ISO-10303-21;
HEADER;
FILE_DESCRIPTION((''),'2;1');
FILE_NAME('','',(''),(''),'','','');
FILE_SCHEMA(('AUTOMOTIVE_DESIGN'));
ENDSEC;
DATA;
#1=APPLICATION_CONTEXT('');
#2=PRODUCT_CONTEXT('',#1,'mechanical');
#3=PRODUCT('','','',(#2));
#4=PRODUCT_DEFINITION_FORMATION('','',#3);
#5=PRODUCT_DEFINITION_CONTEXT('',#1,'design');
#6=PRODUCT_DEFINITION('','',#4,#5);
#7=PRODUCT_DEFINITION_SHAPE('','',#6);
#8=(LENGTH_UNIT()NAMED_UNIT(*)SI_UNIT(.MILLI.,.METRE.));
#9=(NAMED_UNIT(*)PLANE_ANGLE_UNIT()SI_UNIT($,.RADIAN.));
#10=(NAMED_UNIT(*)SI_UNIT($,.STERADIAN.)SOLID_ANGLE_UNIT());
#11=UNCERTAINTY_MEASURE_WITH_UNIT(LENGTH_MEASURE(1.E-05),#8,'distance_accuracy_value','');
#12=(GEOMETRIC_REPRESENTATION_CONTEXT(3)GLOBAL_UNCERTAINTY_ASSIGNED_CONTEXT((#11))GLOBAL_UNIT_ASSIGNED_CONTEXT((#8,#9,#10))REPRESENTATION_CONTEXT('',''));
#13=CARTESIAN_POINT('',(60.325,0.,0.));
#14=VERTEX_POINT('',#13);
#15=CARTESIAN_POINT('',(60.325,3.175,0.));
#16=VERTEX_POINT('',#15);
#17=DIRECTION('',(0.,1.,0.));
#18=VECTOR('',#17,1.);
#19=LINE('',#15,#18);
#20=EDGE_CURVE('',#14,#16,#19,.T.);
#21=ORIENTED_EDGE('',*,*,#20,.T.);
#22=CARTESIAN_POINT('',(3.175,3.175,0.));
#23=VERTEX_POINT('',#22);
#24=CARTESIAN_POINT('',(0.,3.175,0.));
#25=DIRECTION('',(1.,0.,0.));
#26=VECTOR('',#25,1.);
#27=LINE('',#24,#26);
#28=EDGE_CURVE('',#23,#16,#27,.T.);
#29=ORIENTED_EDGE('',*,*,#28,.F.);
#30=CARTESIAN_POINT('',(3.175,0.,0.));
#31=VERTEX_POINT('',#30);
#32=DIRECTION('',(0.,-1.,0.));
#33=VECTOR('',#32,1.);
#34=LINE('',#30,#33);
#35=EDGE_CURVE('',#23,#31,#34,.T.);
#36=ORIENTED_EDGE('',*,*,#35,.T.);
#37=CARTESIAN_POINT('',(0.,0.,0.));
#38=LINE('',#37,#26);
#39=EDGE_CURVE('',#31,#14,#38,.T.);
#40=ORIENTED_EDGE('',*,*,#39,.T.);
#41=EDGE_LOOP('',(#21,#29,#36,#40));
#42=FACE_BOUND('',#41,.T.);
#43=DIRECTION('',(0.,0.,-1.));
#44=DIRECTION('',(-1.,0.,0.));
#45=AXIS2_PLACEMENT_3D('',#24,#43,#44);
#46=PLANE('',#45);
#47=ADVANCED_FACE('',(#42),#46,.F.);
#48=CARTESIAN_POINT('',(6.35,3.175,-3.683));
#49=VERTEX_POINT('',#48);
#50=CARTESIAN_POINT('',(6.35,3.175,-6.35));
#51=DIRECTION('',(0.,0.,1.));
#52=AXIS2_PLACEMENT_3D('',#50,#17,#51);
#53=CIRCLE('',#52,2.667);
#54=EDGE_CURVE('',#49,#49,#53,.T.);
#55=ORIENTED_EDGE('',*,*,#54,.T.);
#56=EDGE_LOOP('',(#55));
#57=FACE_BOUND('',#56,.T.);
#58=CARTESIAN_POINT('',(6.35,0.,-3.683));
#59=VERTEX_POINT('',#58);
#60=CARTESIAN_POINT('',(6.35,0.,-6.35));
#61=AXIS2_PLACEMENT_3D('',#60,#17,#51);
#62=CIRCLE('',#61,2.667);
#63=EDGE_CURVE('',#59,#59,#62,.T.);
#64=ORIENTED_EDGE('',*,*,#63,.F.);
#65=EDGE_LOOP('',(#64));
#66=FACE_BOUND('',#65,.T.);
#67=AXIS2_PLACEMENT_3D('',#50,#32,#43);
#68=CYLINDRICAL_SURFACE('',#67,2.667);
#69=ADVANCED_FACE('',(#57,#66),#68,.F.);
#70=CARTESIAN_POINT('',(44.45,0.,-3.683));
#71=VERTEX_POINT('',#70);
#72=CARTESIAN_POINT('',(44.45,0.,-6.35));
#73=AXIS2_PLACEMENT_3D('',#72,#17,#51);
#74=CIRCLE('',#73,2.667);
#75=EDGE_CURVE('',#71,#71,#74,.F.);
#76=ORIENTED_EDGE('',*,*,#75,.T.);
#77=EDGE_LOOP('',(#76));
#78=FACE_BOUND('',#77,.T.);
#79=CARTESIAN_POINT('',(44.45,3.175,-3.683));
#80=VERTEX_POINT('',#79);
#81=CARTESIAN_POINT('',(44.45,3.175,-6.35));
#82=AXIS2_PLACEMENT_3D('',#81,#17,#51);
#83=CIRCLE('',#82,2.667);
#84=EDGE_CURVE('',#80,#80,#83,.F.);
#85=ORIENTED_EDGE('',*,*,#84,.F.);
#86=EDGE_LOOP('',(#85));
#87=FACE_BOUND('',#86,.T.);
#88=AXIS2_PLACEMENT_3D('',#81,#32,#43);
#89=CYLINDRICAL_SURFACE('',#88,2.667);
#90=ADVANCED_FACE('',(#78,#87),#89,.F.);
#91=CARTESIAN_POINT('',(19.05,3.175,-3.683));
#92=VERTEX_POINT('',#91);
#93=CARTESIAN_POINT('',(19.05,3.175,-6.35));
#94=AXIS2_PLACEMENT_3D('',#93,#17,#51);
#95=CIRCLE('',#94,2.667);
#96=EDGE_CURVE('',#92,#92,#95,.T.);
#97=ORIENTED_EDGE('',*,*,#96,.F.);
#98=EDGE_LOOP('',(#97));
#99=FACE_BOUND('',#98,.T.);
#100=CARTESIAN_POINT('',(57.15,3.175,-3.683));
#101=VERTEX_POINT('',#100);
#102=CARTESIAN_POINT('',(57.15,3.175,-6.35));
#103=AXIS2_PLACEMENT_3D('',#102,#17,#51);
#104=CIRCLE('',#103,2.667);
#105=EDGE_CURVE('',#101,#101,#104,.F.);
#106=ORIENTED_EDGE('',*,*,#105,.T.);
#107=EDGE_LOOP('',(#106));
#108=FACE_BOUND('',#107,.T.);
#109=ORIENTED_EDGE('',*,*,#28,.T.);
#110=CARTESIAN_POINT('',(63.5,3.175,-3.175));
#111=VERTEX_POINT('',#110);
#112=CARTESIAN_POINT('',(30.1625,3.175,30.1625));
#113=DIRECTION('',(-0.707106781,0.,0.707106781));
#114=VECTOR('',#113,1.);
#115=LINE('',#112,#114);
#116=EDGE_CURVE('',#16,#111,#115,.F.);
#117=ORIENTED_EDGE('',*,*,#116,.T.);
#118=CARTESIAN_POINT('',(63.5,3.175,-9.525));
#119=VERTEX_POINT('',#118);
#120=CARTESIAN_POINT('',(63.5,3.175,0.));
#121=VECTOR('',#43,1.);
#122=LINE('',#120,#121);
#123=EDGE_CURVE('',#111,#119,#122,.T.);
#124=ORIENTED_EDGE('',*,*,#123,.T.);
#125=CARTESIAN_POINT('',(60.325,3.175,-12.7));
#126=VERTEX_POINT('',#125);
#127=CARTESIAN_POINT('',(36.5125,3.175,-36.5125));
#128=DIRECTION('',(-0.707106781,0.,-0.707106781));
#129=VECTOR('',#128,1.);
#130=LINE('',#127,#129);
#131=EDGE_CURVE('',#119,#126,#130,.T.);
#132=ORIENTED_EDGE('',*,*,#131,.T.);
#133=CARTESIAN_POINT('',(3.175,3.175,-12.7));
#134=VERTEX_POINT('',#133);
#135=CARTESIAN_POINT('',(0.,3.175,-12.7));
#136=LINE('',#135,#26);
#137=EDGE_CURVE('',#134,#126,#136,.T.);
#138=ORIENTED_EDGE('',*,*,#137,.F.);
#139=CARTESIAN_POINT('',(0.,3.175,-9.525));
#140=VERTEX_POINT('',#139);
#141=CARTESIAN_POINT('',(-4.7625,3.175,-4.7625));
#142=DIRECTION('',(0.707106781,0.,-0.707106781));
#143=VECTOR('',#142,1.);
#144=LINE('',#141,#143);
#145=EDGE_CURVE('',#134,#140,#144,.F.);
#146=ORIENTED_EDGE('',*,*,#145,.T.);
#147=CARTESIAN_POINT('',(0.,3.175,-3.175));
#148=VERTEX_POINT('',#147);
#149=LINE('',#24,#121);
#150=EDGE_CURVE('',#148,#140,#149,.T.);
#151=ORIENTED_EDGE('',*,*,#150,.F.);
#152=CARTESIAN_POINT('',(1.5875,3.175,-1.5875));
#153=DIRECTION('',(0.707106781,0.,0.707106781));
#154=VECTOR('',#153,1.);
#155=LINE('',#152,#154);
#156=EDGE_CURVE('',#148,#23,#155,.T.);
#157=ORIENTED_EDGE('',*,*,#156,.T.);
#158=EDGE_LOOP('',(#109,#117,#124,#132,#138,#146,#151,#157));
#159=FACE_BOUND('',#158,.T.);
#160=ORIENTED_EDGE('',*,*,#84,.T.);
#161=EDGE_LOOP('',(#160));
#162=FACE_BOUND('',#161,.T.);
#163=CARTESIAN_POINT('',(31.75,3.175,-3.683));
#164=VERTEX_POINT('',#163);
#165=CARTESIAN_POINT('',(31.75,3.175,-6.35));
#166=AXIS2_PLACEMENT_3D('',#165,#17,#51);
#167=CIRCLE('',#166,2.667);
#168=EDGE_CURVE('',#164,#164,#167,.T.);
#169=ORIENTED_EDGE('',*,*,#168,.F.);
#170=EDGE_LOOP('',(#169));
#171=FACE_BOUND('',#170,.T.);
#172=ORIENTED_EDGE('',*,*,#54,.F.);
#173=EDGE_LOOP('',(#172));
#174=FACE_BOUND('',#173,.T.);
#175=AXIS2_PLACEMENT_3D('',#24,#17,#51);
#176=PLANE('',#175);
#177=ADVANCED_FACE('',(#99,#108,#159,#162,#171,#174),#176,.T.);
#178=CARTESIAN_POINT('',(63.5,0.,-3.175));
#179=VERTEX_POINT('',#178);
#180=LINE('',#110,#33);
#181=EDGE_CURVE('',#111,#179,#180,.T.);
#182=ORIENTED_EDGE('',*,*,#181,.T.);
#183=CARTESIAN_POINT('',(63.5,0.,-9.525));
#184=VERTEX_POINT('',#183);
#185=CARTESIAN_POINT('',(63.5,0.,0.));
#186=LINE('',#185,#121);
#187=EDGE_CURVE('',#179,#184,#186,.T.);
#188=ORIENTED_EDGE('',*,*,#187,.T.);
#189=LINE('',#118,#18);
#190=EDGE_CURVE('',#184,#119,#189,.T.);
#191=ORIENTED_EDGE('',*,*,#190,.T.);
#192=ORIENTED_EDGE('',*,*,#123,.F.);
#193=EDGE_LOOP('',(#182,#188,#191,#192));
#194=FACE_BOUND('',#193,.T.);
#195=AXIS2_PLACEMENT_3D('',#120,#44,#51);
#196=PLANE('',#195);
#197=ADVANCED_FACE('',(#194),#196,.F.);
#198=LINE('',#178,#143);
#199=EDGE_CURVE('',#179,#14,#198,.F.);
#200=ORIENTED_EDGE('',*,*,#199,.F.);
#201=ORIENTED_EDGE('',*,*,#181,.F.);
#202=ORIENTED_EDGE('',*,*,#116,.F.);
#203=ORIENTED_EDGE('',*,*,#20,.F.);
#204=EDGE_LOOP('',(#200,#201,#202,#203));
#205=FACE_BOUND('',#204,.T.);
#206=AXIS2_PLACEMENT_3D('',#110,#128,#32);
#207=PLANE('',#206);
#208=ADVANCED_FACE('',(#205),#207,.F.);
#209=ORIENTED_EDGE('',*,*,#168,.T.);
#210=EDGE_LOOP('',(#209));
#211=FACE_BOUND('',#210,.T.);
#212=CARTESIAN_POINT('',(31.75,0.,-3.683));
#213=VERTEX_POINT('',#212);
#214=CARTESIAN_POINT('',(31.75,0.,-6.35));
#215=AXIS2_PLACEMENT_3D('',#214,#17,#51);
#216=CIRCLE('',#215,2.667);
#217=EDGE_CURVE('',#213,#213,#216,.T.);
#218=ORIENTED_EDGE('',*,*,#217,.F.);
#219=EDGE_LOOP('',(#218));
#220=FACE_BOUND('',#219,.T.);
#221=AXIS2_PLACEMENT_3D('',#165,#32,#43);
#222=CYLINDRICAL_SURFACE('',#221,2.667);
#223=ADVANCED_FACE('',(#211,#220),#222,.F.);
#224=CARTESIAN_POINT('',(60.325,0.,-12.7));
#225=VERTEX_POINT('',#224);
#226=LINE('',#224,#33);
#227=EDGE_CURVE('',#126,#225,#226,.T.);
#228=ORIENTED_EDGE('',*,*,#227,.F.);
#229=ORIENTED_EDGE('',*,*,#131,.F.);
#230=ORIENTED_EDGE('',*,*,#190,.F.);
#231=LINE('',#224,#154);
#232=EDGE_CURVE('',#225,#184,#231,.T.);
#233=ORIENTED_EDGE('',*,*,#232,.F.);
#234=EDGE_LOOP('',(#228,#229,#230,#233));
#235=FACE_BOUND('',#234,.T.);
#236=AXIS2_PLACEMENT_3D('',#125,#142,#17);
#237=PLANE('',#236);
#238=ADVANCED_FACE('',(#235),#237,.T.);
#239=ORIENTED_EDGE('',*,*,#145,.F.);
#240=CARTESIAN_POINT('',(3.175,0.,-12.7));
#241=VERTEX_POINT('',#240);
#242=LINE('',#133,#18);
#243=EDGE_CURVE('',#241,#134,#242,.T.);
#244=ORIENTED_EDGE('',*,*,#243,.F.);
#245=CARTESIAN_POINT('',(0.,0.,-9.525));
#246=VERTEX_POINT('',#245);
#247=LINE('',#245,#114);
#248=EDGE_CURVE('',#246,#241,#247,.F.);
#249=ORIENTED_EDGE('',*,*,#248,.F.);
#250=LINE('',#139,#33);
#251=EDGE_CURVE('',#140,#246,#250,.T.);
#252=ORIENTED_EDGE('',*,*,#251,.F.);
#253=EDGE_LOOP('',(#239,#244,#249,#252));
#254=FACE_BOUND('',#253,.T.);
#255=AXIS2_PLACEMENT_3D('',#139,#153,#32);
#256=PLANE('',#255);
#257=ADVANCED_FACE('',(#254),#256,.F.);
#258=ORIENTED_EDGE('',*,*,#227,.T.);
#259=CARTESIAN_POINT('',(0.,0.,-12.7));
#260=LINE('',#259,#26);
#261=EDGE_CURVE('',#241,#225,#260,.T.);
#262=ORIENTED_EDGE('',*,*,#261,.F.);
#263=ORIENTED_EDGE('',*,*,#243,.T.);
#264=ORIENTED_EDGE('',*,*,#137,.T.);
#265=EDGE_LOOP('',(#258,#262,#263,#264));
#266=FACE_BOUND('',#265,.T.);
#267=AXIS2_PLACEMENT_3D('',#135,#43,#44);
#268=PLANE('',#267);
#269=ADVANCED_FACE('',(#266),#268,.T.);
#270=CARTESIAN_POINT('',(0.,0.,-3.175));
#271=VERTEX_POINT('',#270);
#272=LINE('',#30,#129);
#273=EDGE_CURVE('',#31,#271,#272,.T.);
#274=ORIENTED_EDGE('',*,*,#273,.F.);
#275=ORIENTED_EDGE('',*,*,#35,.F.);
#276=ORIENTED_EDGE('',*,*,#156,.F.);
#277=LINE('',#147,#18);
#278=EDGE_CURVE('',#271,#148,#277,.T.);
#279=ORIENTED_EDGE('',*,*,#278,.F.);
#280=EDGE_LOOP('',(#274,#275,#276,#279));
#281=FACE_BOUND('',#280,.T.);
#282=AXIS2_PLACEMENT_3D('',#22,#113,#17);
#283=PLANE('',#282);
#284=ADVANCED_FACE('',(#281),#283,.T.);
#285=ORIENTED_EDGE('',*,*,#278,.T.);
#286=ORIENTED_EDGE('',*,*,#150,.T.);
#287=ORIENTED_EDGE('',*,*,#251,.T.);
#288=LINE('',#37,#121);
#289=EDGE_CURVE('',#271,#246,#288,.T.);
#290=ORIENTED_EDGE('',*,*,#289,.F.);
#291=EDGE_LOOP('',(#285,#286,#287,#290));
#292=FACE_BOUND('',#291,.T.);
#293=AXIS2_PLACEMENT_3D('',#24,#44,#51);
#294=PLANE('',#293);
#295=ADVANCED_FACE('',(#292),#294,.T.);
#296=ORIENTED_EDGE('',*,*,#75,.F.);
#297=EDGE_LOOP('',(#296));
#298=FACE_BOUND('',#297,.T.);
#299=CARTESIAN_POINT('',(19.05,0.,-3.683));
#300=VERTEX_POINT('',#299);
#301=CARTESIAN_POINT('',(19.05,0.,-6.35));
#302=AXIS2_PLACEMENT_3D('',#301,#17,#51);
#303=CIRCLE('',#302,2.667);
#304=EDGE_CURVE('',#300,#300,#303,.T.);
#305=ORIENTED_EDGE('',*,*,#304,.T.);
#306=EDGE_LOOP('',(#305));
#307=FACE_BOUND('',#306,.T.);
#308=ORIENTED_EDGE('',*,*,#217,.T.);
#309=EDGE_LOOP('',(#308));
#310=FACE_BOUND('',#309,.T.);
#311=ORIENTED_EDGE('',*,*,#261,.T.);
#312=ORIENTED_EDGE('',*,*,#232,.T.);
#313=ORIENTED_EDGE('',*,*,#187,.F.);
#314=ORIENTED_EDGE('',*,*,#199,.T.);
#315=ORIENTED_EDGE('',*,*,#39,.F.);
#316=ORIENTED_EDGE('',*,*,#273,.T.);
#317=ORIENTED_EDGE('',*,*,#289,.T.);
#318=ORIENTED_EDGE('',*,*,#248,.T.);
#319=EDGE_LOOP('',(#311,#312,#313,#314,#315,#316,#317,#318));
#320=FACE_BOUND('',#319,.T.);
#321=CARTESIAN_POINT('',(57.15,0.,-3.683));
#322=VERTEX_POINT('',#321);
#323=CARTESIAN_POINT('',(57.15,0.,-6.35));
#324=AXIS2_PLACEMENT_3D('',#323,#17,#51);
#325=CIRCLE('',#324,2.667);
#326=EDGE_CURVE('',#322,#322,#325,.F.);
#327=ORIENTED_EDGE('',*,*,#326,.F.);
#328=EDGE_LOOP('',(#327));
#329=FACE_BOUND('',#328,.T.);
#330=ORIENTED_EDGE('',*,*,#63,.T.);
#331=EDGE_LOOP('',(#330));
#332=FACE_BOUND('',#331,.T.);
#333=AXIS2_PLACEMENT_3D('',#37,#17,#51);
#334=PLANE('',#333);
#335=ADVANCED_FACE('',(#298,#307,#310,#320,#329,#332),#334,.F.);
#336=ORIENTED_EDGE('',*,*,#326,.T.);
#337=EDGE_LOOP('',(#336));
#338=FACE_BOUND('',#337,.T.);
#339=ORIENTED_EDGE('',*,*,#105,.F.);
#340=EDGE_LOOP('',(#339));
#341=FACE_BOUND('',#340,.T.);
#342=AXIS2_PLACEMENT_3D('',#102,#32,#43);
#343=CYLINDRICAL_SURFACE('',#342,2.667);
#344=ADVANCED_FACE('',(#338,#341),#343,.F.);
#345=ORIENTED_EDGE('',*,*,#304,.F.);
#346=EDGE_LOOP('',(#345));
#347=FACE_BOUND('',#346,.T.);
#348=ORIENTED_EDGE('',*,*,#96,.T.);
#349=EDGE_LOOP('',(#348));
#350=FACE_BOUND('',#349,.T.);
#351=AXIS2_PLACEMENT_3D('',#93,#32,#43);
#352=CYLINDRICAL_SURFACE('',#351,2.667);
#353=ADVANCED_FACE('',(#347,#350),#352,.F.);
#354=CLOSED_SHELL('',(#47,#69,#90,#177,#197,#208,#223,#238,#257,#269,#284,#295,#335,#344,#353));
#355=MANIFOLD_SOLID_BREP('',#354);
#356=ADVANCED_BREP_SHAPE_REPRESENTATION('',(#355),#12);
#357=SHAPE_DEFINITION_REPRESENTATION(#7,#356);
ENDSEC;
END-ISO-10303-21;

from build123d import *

# Parameters (mm, degrees)
SKETCH1_W           = 63.5
SKETCH1_H           = 12.7
SKETCH1_R           = 2.667
BOSS_EXTRUDE1_DEPTH = 3.175
CHAMFER1_SIZE       = 3.175


with BuildPart() as part:
    # Sketch1 → Boss-Extrude1 (new body)
    with BuildSketch(Plane(origin=(0, 0, 0), x_dir=(1, 0, 0), z_dir=(0, 1, 0))):
        with Locations((31.75, 6.35)):
            Rectangle(SKETCH1_W, SKETCH1_H)
        with Locations(Location((19.05, 6.35, 0), (0, 0, 270))):
            Circle(SKETCH1_R, mode=Mode.SUBTRACT)
        with Locations(Location((6.35, 6.35, 0), (0, 0, 270))):
            Circle(SKETCH1_R, mode=Mode.SUBTRACT)
        with Locations(Location((57.15, 6.35, 0), (0, 0, 270))):
            Circle(SKETCH1_R, mode=Mode.SUBTRACT)
        with Locations(Location((44.45, 6.35, 0), (0, 0, 270))):
            Circle(SKETCH1_R, mode=Mode.SUBTRACT)
        with Locations(Location((31.75, 6.35, 0), (0, 0, 270))):
            Circle(SKETCH1_R, mode=Mode.SUBTRACT)
    extrude(amount=BOSS_EXTRUDE1_DEPTH)

    # Chamfer1
    chamfer1_edges = [part.edges().sort_by_distance(p)[0] for p in [
        (0, 1.5875, 0),
        (0, 1.5875, -12.7),
        (63.5, 1.5875, -12.7),
        (63.5, 1.5875, 0),
    ]]
    chamfer(chamfer1_edges, length=CHAMFER1_SIZE)


solid = part.part
